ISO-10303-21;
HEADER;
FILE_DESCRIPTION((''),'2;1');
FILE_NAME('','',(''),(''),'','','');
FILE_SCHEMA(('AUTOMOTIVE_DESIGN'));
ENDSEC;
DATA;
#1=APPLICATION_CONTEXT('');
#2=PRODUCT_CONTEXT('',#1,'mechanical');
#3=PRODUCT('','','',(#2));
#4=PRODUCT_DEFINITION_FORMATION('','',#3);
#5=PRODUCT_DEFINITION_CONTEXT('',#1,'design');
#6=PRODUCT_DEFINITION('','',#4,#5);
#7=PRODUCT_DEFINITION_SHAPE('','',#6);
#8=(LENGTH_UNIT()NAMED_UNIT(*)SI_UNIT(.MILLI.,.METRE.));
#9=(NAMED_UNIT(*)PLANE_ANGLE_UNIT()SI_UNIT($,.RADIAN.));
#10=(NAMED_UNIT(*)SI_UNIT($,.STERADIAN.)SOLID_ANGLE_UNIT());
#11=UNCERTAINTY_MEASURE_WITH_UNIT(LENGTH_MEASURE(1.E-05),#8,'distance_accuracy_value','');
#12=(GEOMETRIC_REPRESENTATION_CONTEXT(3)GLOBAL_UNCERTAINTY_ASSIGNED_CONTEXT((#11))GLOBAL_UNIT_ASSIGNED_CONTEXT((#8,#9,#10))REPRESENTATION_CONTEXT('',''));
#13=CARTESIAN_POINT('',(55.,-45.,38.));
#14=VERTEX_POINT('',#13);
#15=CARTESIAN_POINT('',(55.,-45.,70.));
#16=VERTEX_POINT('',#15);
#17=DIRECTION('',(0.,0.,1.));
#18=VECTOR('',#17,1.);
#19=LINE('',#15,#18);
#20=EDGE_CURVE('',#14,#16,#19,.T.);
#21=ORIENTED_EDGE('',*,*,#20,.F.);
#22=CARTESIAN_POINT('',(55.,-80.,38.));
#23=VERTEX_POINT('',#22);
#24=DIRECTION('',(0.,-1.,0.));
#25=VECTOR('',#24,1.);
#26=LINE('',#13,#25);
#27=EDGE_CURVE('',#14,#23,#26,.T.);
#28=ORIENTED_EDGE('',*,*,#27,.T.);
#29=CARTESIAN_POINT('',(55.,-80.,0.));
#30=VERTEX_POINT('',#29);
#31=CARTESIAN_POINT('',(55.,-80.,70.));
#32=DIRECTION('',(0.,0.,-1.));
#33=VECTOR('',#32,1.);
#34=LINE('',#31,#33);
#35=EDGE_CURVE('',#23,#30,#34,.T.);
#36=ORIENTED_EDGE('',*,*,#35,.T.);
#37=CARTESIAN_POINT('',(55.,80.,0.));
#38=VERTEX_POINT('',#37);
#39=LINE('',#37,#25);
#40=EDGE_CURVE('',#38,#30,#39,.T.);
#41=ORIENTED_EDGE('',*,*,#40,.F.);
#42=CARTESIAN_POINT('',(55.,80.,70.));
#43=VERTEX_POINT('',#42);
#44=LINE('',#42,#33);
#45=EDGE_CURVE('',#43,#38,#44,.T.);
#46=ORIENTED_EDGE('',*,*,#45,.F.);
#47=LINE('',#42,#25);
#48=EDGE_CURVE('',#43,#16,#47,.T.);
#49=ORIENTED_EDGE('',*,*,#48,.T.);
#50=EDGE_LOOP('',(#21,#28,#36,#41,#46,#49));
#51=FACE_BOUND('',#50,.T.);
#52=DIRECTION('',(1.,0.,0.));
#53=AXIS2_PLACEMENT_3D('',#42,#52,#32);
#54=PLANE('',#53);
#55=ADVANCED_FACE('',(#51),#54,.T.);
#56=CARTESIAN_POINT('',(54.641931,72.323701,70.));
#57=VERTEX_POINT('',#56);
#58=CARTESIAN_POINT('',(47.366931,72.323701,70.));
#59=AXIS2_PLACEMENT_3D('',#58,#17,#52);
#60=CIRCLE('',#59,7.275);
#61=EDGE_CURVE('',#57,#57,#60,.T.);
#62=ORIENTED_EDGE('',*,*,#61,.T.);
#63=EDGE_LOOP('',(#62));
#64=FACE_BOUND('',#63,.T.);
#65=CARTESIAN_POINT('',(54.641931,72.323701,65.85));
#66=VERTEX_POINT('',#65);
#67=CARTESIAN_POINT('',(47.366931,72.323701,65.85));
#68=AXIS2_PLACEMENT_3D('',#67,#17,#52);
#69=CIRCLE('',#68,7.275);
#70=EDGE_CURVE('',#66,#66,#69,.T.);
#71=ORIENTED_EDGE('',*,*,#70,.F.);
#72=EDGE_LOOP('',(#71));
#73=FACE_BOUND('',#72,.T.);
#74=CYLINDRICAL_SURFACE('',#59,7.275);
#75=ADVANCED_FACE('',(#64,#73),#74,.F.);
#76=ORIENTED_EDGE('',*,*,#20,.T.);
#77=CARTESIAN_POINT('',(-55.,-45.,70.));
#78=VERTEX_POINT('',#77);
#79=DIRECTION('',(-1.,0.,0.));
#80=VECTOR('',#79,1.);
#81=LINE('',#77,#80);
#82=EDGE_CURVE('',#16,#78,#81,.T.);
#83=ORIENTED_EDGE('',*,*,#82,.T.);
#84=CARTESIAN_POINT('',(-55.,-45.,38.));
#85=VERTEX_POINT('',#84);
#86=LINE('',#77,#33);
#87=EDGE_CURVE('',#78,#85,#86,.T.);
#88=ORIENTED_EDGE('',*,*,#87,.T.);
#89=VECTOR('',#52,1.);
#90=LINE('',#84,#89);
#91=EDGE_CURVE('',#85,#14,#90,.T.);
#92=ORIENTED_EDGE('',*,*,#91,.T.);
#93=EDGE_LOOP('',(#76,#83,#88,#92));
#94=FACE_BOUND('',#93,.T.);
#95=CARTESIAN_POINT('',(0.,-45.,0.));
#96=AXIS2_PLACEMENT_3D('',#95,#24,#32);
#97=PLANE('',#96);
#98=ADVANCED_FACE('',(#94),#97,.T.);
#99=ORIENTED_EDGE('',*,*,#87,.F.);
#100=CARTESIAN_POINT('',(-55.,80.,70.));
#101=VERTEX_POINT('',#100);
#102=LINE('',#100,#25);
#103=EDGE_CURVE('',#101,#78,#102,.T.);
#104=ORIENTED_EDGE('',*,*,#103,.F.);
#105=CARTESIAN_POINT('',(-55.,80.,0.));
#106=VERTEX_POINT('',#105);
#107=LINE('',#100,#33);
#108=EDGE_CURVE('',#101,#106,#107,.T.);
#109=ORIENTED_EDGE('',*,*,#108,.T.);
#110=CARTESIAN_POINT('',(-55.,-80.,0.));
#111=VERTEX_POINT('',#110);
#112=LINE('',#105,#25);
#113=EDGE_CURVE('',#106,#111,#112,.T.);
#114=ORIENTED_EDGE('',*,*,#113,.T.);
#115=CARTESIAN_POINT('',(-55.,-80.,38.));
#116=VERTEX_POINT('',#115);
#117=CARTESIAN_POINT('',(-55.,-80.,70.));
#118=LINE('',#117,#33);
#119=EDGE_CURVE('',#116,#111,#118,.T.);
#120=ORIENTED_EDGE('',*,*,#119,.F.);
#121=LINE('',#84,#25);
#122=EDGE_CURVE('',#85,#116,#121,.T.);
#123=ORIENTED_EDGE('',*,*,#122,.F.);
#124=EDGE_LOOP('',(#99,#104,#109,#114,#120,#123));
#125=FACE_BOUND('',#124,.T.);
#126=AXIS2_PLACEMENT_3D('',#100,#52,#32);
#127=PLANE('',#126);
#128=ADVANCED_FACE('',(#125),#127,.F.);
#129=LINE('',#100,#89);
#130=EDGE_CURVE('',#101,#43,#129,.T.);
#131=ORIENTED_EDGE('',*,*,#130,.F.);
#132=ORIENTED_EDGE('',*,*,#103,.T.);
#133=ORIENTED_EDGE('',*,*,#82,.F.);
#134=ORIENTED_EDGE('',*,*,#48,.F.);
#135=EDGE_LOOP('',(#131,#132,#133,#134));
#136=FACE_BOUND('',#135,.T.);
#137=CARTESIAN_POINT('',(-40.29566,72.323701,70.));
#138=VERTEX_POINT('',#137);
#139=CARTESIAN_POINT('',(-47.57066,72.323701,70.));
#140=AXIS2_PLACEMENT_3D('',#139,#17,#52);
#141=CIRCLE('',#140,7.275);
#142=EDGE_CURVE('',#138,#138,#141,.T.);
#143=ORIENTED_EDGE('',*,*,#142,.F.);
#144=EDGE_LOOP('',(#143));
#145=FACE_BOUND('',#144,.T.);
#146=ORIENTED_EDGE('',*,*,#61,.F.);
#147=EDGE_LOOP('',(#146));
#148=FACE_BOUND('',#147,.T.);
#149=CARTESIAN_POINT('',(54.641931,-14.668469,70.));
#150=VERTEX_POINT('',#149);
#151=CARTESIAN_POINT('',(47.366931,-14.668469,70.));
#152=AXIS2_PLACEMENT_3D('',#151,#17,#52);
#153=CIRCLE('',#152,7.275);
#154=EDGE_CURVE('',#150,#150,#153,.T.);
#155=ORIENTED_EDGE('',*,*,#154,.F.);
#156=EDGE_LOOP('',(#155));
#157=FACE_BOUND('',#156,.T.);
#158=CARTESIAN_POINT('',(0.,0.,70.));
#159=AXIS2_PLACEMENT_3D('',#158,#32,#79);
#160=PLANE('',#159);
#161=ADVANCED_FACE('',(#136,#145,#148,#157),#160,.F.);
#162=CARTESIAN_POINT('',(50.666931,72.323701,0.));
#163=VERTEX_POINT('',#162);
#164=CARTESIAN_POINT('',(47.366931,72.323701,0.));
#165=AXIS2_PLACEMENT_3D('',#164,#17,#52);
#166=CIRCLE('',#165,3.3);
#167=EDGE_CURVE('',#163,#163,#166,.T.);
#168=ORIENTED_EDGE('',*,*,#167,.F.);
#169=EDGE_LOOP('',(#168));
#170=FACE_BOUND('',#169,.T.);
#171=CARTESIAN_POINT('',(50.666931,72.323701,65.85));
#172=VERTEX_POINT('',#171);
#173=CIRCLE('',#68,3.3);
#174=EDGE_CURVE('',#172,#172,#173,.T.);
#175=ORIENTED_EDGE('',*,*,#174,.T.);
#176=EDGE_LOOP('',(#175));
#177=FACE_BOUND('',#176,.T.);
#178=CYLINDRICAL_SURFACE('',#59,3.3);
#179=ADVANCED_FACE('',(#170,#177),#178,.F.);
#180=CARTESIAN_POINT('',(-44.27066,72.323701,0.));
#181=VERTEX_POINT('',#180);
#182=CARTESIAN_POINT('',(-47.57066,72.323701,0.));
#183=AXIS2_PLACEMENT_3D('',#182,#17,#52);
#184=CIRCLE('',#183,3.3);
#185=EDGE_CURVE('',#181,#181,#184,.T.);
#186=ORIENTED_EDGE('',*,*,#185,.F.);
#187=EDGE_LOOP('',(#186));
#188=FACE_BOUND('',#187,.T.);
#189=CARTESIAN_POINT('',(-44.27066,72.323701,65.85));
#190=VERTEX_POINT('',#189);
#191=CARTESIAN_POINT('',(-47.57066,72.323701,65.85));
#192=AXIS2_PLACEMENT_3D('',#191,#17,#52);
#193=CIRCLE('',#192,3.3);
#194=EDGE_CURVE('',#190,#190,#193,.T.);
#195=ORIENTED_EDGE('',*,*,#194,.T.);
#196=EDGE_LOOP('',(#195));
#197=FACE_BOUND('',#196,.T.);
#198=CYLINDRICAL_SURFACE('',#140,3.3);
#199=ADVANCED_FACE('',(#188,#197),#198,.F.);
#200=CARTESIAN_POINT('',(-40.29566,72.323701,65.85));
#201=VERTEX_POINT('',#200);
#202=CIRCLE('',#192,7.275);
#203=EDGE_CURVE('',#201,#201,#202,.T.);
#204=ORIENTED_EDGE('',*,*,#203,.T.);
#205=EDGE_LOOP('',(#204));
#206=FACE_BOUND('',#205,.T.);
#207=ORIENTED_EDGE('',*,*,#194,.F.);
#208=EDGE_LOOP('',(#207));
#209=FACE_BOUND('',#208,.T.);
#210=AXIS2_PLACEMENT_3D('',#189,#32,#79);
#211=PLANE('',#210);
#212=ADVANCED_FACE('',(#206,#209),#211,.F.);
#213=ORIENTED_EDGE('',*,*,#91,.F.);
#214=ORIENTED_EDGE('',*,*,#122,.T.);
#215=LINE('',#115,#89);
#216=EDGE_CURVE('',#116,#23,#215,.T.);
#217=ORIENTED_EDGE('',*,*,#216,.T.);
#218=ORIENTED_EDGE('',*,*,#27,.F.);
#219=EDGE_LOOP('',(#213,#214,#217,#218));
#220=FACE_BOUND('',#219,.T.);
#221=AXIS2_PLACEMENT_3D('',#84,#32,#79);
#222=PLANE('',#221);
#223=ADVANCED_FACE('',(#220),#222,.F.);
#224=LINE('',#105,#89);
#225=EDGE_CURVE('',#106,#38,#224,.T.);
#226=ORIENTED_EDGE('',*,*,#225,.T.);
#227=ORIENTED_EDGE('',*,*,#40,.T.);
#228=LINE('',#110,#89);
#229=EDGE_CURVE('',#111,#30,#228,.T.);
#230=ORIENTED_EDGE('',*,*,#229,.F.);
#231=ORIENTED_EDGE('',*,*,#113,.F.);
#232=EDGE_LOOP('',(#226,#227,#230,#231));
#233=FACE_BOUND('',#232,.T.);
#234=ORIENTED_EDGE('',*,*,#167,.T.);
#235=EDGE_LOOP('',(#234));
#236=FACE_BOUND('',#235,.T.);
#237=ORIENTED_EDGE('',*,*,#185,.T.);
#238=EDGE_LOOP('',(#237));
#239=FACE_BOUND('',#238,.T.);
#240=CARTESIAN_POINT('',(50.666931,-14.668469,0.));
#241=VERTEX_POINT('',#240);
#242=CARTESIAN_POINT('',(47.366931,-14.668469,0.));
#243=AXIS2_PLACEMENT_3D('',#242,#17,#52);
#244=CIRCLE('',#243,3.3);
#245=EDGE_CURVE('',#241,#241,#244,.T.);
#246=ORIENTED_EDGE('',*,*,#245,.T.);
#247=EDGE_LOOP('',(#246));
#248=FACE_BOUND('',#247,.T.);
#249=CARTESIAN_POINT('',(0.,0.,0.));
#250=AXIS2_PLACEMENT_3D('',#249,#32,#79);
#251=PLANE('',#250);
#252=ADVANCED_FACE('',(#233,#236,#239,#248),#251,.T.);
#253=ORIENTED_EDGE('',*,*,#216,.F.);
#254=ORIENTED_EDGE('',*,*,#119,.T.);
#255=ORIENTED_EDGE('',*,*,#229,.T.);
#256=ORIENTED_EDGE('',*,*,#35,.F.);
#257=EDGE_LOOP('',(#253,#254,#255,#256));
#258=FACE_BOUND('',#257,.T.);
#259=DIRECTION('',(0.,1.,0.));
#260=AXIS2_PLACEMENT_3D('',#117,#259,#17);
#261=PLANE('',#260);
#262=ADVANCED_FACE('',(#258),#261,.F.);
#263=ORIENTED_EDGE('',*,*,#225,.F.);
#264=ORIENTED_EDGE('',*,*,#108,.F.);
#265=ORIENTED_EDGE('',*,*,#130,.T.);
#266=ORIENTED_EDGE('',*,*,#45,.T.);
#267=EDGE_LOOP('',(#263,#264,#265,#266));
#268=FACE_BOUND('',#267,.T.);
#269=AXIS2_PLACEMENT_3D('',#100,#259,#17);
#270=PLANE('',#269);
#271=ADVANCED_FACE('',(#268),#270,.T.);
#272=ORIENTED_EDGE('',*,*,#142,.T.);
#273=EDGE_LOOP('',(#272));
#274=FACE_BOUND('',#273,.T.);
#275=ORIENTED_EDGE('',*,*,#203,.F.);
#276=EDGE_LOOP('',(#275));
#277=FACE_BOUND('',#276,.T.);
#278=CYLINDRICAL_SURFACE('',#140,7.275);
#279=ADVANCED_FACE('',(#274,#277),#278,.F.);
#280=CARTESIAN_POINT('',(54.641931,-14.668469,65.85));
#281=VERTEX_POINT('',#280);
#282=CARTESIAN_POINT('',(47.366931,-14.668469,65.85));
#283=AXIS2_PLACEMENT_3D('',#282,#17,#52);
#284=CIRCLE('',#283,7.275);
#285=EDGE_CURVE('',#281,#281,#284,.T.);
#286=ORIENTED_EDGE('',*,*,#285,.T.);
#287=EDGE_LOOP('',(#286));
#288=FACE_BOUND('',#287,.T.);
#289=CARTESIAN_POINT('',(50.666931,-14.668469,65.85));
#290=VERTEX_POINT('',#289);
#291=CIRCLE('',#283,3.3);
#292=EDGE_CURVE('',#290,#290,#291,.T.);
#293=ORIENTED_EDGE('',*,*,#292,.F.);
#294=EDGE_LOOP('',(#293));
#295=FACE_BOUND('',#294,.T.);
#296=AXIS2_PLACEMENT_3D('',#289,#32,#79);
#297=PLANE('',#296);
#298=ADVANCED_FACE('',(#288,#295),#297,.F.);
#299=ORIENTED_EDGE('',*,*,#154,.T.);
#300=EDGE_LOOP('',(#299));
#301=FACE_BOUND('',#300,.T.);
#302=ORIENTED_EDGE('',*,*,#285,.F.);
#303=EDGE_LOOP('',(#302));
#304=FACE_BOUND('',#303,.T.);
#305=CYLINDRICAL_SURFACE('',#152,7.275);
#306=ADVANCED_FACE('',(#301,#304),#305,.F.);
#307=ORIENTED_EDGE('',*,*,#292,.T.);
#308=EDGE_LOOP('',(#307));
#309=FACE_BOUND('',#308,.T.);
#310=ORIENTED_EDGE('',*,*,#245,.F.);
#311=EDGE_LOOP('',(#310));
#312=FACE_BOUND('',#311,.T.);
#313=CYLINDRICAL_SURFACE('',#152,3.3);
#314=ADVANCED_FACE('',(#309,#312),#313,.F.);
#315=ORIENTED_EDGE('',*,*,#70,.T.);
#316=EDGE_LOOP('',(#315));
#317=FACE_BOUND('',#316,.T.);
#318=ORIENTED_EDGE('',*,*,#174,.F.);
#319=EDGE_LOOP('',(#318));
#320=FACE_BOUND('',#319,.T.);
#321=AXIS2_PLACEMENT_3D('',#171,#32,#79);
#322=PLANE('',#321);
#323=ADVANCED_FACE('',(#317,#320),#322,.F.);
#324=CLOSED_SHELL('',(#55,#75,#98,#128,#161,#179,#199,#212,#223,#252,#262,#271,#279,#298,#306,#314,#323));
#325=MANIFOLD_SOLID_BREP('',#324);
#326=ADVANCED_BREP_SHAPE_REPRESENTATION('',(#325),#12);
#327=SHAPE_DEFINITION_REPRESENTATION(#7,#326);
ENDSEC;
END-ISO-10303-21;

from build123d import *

# Parameters (mm, degrees)
SKETCH_1_W                   = 110
SKETCH_1_H                   = 160
EXTRUDE_1_DEPTH              = 70
SKETCH_2_W                   = 110
SKETCH_2_H                   = 20
CUT_EXTRUDE_1_DEPTH          = 35
SKETCH_9_W                   = 110
SKETCH_9_H                   = 12
CUT_EXTRUDE_2_DEPTH          = 35
HOLE_WIZARD_M6_1_D           = 6.6
HOLE_WIZARD_M6_1_CBORE_D     = 14.55
HOLE_WIZARD_M6_1_CBORE_DEPTH = 4.15


with BuildPart() as part:
    # 草图1 → 凸台-拉伸1 (new body)
    with BuildSketch(Plane.XY):
        Rectangle(SKETCH_1_W, SKETCH_1_H)
    extrude(amount=EXTRUDE_1_DEPTH)

    # 草图2 → 切除-拉伸1 (cut)
    with BuildSketch(Plane.XZ.offset(80)):
        with Locations((0, 60)):
            Rectangle(SKETCH_2_W, SKETCH_2_H)
    extrude(amount=-CUT_EXTRUDE_1_DEPTH, mode=Mode.SUBTRACT)

    # 草图9 → 切除-拉伸2 (cut)
    with BuildSketch(Plane.XZ.offset(80)):
        with Locations((0, 44)):
            Rectangle(SKETCH_9_W, SKETCH_9_H)
    extrude(amount=-CUT_EXTRUDE_2_DEPTH, mode=Mode.SUBTRACT)

    # M6 六角头螺钉的柱形沉头孔1 (through all)
    with Locations(Plane.XY.offset(70)):
        with Locations((-47.570659981, 72.32370147), (47.366931244, 72.32370147), (47.366931244, -14.668469031)):
            CounterBoreHole(HOLE_WIZARD_M6_1_D / 2, HOLE_WIZARD_M6_1_CBORE_D / 2, HOLE_WIZARD_M6_1_CBORE_DEPTH)


solid = part.part
